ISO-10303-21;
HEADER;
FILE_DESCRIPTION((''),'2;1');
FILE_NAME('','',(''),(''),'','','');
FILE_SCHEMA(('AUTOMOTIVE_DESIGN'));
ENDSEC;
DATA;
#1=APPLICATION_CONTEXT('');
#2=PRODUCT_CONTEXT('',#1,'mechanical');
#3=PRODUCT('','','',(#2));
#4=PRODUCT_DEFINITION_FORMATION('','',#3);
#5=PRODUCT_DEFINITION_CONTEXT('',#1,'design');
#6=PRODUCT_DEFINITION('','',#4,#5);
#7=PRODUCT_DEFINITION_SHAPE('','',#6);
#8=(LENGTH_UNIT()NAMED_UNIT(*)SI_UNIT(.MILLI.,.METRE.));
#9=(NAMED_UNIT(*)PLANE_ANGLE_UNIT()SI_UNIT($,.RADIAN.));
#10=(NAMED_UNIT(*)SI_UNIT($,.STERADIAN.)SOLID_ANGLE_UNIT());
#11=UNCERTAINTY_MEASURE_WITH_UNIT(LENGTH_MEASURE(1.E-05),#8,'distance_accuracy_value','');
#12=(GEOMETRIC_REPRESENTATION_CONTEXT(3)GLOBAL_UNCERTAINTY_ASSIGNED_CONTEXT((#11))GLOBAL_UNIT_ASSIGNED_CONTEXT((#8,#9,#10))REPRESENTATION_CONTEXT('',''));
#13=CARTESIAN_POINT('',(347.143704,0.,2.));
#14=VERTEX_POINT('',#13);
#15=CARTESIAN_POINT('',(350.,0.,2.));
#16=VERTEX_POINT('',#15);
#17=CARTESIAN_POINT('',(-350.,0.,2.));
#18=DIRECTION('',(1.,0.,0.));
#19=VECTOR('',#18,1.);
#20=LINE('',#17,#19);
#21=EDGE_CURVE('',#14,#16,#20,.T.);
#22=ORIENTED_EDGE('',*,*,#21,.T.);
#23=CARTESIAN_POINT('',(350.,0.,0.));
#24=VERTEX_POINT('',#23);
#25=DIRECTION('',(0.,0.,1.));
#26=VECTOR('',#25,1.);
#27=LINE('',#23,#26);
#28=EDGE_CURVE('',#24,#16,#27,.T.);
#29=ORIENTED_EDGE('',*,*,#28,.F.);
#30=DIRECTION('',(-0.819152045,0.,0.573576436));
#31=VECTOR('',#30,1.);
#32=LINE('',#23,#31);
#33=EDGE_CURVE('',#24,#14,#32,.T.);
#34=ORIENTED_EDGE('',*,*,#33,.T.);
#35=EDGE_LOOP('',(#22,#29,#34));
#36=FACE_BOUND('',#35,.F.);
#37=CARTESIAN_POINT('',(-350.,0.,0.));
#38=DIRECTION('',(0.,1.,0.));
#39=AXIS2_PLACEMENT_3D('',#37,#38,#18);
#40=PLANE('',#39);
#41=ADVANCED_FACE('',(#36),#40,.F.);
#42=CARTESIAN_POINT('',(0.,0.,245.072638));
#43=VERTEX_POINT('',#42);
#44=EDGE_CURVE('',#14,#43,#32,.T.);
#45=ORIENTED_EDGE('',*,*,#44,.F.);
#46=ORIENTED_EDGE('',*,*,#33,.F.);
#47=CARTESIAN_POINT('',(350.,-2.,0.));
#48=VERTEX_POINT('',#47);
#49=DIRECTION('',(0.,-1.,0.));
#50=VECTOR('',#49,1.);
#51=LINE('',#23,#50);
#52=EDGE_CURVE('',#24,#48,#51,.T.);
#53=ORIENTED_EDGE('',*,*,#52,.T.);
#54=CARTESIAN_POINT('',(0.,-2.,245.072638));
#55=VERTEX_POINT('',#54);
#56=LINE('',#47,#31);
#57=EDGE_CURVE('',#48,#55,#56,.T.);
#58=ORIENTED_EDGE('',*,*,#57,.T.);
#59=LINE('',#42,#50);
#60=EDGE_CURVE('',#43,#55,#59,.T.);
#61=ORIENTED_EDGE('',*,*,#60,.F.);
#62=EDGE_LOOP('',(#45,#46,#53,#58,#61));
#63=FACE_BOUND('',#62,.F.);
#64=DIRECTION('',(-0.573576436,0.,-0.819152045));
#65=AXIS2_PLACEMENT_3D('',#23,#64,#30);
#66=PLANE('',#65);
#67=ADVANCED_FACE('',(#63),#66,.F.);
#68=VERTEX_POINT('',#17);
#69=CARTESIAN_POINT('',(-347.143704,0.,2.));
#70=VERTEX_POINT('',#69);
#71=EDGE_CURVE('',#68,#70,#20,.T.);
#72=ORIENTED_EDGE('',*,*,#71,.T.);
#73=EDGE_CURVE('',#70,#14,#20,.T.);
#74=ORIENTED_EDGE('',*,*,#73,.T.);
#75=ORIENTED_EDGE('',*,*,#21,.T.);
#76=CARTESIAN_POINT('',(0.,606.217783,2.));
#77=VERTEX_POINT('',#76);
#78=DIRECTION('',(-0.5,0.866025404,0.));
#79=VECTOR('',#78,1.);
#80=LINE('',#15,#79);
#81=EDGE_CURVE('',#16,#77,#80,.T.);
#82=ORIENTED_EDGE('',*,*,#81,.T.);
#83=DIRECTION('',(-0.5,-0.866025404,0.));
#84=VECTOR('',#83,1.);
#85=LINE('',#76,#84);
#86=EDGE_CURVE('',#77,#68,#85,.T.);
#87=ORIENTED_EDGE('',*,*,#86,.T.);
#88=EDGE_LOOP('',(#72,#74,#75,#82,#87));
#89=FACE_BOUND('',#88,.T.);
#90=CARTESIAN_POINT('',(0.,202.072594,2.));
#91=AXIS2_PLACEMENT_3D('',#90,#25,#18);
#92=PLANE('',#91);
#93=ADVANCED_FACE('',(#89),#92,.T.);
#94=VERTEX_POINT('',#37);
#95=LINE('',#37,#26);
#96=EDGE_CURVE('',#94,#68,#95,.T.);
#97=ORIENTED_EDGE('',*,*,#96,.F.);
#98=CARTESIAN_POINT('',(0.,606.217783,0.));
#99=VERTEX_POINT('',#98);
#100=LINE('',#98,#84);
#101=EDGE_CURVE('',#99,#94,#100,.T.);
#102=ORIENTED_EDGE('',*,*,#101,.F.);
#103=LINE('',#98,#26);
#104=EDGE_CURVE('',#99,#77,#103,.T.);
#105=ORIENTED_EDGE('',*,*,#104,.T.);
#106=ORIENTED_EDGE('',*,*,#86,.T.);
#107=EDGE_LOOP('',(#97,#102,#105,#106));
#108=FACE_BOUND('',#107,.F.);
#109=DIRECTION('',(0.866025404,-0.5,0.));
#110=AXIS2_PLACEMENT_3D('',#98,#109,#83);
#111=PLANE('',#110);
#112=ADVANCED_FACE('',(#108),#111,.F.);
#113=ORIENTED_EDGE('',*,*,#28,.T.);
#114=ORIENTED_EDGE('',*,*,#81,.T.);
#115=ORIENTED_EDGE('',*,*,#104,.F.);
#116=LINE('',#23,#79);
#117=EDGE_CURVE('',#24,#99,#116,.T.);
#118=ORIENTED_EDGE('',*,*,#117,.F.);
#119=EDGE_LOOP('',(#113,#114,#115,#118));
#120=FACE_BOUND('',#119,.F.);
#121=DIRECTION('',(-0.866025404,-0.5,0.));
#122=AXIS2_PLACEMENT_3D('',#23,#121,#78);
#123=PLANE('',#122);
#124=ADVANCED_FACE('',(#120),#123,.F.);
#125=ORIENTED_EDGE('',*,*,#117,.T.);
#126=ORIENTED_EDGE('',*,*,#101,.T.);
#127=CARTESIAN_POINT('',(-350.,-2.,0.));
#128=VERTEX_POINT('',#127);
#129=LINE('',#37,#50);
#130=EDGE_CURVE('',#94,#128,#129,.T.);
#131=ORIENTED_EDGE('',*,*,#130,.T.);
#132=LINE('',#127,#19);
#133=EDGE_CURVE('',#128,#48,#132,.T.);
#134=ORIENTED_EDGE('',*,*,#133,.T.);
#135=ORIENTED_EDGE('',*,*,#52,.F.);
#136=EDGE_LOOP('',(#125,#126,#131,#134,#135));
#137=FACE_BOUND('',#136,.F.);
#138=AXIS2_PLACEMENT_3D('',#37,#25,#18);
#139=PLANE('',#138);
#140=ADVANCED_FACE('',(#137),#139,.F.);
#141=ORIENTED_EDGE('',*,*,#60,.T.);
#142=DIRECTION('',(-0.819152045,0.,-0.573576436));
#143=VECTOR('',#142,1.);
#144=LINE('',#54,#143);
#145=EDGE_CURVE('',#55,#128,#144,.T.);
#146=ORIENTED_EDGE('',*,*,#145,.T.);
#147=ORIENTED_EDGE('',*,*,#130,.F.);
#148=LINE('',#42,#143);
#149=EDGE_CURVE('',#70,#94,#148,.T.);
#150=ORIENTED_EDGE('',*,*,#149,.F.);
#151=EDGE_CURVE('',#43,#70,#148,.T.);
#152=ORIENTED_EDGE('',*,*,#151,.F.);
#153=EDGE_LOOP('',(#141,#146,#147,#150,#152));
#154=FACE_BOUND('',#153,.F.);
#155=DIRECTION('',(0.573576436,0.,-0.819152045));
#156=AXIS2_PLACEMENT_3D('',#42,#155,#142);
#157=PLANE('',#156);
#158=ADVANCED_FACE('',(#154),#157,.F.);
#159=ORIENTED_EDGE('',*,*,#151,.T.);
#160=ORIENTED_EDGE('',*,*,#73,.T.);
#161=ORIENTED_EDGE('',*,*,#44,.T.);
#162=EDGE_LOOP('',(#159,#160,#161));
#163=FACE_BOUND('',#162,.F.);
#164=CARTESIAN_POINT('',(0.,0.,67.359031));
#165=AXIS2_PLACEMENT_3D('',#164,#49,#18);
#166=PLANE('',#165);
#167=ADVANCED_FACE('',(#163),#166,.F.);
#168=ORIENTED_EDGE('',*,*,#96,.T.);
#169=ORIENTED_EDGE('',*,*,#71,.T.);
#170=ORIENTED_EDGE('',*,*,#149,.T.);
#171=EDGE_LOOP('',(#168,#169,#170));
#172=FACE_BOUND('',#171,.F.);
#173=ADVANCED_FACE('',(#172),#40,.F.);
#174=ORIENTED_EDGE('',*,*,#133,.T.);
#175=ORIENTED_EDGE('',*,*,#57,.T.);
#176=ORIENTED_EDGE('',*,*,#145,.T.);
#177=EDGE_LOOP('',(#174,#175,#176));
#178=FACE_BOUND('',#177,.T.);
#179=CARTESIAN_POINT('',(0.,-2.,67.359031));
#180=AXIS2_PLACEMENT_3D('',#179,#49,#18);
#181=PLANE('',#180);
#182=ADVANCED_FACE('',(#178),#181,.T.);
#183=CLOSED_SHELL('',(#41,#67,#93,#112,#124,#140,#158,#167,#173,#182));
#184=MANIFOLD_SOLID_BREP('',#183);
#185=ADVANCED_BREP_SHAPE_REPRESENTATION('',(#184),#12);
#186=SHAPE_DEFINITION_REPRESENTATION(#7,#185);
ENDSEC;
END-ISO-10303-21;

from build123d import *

# Parameters (mm, degrees)
F1_DEPTH = 2
F3_DEPTH = 2


with BuildPart() as f1:
    # F0 (on Front) → F1 (new body)
    with BuildSketch(Plane.XZ):
        Polygon((-350, 0), (0, 0), (350, 0), (0, 245.072638), align=None)
    extrude(amount=F1_DEPTH)

    # F2 (on Top) → F3 (join)
    with BuildSketch(Plane.XY):
        Polygon((-350, 0), (350, 0), (0, 606.217783), align=None)
    extrude(amount=F3_DEPTH)


solid = f1.part
